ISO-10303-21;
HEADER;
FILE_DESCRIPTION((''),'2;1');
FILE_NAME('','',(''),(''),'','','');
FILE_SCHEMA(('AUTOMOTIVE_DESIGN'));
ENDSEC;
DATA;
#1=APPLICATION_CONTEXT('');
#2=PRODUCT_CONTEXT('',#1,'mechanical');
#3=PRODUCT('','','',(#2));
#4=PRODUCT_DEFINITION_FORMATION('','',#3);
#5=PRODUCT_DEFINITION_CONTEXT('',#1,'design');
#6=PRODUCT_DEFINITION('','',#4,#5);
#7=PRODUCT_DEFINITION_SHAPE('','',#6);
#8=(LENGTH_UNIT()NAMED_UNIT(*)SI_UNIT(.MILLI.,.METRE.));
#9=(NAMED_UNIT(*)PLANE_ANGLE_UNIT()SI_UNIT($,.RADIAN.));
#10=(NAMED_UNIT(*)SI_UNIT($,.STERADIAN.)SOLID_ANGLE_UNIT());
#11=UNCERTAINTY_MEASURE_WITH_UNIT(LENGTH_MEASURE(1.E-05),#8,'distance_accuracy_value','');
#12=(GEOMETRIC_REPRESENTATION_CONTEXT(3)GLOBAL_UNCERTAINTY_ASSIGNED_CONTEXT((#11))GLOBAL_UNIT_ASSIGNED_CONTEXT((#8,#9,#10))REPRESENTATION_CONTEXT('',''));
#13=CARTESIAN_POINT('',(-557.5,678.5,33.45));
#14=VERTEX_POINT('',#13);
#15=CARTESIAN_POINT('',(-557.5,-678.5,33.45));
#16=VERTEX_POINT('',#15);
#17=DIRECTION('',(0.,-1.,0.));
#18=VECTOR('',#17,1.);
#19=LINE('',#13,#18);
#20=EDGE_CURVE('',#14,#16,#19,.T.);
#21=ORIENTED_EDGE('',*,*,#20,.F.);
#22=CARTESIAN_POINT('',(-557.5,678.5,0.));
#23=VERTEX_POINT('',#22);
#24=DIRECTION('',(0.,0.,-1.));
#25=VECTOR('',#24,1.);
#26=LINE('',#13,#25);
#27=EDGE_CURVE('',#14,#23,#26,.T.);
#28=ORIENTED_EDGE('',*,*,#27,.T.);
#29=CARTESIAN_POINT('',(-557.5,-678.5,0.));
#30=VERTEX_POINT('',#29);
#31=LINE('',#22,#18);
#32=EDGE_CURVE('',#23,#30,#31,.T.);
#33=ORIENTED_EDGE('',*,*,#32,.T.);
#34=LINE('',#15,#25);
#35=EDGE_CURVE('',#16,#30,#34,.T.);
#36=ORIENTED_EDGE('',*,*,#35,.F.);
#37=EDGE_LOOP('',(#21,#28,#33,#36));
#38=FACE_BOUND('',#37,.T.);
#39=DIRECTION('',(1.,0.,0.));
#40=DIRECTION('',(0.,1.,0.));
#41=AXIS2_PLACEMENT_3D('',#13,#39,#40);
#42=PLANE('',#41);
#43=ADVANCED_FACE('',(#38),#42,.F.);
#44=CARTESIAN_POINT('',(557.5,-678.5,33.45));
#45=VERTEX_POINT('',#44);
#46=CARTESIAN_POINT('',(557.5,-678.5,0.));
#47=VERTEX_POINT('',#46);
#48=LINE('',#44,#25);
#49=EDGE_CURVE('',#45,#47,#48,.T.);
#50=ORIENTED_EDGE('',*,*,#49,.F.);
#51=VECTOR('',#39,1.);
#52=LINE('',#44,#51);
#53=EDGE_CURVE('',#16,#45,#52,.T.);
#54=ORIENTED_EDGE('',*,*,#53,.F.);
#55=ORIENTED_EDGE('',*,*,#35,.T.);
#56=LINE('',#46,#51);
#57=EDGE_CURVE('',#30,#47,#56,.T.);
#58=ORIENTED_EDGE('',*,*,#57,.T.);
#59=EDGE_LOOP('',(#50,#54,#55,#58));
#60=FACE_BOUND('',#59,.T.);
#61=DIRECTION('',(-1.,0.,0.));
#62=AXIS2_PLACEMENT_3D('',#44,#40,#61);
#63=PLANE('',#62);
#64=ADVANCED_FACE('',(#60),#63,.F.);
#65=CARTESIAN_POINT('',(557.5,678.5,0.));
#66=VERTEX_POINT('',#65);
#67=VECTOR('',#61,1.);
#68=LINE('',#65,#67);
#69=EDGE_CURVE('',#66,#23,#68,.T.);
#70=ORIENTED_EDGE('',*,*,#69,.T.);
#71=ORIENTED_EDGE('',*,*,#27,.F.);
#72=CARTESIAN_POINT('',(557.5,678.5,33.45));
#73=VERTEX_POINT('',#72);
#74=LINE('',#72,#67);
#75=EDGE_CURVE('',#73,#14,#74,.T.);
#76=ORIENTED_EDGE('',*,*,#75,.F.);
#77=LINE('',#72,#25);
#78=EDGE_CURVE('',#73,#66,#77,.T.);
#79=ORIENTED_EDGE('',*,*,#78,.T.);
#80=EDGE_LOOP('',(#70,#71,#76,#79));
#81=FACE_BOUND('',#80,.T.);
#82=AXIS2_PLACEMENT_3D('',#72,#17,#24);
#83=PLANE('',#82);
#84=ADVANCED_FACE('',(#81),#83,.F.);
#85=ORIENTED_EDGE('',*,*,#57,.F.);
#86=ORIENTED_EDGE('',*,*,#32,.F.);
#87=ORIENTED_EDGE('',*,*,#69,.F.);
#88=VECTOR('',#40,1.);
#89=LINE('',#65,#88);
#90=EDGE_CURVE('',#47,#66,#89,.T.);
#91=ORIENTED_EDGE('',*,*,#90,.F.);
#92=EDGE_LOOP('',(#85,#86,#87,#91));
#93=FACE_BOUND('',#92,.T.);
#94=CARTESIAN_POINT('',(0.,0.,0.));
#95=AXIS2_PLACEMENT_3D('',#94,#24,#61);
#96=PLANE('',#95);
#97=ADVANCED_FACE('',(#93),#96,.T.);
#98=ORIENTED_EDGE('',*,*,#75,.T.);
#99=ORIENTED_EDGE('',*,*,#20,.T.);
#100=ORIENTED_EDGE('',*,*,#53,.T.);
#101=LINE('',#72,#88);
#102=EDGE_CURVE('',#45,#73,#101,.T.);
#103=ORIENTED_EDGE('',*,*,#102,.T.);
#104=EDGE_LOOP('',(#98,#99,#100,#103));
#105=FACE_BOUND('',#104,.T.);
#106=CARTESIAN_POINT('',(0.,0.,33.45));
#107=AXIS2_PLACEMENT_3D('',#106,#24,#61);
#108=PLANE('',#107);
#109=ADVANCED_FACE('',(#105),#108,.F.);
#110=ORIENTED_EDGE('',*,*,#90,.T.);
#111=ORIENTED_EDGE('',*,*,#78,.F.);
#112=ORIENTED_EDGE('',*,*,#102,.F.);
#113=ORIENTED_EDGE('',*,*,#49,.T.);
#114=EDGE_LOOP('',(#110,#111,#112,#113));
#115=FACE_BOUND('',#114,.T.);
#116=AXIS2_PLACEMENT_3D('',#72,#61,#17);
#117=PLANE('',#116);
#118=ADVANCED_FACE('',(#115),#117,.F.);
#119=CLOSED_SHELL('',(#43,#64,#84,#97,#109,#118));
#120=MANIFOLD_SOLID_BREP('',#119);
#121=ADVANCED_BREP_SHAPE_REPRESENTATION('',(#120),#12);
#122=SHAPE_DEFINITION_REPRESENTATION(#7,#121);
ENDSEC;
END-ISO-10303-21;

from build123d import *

# Parameters (mm, degrees)
SKETCH1_W           = 1115
SKETCH1_H           = 1357
BOSS_EXTRUDE1_DEPTH = 33.45


with BuildPart() as part:
    # Sketch1 → Boss-Extrude1 (new body)
    with BuildSketch(Plane.XY):
        Rectangle(SKETCH1_W, SKETCH1_H)
    extrude(amount=BOSS_EXTRUDE1_DEPTH)


solid = part.part
